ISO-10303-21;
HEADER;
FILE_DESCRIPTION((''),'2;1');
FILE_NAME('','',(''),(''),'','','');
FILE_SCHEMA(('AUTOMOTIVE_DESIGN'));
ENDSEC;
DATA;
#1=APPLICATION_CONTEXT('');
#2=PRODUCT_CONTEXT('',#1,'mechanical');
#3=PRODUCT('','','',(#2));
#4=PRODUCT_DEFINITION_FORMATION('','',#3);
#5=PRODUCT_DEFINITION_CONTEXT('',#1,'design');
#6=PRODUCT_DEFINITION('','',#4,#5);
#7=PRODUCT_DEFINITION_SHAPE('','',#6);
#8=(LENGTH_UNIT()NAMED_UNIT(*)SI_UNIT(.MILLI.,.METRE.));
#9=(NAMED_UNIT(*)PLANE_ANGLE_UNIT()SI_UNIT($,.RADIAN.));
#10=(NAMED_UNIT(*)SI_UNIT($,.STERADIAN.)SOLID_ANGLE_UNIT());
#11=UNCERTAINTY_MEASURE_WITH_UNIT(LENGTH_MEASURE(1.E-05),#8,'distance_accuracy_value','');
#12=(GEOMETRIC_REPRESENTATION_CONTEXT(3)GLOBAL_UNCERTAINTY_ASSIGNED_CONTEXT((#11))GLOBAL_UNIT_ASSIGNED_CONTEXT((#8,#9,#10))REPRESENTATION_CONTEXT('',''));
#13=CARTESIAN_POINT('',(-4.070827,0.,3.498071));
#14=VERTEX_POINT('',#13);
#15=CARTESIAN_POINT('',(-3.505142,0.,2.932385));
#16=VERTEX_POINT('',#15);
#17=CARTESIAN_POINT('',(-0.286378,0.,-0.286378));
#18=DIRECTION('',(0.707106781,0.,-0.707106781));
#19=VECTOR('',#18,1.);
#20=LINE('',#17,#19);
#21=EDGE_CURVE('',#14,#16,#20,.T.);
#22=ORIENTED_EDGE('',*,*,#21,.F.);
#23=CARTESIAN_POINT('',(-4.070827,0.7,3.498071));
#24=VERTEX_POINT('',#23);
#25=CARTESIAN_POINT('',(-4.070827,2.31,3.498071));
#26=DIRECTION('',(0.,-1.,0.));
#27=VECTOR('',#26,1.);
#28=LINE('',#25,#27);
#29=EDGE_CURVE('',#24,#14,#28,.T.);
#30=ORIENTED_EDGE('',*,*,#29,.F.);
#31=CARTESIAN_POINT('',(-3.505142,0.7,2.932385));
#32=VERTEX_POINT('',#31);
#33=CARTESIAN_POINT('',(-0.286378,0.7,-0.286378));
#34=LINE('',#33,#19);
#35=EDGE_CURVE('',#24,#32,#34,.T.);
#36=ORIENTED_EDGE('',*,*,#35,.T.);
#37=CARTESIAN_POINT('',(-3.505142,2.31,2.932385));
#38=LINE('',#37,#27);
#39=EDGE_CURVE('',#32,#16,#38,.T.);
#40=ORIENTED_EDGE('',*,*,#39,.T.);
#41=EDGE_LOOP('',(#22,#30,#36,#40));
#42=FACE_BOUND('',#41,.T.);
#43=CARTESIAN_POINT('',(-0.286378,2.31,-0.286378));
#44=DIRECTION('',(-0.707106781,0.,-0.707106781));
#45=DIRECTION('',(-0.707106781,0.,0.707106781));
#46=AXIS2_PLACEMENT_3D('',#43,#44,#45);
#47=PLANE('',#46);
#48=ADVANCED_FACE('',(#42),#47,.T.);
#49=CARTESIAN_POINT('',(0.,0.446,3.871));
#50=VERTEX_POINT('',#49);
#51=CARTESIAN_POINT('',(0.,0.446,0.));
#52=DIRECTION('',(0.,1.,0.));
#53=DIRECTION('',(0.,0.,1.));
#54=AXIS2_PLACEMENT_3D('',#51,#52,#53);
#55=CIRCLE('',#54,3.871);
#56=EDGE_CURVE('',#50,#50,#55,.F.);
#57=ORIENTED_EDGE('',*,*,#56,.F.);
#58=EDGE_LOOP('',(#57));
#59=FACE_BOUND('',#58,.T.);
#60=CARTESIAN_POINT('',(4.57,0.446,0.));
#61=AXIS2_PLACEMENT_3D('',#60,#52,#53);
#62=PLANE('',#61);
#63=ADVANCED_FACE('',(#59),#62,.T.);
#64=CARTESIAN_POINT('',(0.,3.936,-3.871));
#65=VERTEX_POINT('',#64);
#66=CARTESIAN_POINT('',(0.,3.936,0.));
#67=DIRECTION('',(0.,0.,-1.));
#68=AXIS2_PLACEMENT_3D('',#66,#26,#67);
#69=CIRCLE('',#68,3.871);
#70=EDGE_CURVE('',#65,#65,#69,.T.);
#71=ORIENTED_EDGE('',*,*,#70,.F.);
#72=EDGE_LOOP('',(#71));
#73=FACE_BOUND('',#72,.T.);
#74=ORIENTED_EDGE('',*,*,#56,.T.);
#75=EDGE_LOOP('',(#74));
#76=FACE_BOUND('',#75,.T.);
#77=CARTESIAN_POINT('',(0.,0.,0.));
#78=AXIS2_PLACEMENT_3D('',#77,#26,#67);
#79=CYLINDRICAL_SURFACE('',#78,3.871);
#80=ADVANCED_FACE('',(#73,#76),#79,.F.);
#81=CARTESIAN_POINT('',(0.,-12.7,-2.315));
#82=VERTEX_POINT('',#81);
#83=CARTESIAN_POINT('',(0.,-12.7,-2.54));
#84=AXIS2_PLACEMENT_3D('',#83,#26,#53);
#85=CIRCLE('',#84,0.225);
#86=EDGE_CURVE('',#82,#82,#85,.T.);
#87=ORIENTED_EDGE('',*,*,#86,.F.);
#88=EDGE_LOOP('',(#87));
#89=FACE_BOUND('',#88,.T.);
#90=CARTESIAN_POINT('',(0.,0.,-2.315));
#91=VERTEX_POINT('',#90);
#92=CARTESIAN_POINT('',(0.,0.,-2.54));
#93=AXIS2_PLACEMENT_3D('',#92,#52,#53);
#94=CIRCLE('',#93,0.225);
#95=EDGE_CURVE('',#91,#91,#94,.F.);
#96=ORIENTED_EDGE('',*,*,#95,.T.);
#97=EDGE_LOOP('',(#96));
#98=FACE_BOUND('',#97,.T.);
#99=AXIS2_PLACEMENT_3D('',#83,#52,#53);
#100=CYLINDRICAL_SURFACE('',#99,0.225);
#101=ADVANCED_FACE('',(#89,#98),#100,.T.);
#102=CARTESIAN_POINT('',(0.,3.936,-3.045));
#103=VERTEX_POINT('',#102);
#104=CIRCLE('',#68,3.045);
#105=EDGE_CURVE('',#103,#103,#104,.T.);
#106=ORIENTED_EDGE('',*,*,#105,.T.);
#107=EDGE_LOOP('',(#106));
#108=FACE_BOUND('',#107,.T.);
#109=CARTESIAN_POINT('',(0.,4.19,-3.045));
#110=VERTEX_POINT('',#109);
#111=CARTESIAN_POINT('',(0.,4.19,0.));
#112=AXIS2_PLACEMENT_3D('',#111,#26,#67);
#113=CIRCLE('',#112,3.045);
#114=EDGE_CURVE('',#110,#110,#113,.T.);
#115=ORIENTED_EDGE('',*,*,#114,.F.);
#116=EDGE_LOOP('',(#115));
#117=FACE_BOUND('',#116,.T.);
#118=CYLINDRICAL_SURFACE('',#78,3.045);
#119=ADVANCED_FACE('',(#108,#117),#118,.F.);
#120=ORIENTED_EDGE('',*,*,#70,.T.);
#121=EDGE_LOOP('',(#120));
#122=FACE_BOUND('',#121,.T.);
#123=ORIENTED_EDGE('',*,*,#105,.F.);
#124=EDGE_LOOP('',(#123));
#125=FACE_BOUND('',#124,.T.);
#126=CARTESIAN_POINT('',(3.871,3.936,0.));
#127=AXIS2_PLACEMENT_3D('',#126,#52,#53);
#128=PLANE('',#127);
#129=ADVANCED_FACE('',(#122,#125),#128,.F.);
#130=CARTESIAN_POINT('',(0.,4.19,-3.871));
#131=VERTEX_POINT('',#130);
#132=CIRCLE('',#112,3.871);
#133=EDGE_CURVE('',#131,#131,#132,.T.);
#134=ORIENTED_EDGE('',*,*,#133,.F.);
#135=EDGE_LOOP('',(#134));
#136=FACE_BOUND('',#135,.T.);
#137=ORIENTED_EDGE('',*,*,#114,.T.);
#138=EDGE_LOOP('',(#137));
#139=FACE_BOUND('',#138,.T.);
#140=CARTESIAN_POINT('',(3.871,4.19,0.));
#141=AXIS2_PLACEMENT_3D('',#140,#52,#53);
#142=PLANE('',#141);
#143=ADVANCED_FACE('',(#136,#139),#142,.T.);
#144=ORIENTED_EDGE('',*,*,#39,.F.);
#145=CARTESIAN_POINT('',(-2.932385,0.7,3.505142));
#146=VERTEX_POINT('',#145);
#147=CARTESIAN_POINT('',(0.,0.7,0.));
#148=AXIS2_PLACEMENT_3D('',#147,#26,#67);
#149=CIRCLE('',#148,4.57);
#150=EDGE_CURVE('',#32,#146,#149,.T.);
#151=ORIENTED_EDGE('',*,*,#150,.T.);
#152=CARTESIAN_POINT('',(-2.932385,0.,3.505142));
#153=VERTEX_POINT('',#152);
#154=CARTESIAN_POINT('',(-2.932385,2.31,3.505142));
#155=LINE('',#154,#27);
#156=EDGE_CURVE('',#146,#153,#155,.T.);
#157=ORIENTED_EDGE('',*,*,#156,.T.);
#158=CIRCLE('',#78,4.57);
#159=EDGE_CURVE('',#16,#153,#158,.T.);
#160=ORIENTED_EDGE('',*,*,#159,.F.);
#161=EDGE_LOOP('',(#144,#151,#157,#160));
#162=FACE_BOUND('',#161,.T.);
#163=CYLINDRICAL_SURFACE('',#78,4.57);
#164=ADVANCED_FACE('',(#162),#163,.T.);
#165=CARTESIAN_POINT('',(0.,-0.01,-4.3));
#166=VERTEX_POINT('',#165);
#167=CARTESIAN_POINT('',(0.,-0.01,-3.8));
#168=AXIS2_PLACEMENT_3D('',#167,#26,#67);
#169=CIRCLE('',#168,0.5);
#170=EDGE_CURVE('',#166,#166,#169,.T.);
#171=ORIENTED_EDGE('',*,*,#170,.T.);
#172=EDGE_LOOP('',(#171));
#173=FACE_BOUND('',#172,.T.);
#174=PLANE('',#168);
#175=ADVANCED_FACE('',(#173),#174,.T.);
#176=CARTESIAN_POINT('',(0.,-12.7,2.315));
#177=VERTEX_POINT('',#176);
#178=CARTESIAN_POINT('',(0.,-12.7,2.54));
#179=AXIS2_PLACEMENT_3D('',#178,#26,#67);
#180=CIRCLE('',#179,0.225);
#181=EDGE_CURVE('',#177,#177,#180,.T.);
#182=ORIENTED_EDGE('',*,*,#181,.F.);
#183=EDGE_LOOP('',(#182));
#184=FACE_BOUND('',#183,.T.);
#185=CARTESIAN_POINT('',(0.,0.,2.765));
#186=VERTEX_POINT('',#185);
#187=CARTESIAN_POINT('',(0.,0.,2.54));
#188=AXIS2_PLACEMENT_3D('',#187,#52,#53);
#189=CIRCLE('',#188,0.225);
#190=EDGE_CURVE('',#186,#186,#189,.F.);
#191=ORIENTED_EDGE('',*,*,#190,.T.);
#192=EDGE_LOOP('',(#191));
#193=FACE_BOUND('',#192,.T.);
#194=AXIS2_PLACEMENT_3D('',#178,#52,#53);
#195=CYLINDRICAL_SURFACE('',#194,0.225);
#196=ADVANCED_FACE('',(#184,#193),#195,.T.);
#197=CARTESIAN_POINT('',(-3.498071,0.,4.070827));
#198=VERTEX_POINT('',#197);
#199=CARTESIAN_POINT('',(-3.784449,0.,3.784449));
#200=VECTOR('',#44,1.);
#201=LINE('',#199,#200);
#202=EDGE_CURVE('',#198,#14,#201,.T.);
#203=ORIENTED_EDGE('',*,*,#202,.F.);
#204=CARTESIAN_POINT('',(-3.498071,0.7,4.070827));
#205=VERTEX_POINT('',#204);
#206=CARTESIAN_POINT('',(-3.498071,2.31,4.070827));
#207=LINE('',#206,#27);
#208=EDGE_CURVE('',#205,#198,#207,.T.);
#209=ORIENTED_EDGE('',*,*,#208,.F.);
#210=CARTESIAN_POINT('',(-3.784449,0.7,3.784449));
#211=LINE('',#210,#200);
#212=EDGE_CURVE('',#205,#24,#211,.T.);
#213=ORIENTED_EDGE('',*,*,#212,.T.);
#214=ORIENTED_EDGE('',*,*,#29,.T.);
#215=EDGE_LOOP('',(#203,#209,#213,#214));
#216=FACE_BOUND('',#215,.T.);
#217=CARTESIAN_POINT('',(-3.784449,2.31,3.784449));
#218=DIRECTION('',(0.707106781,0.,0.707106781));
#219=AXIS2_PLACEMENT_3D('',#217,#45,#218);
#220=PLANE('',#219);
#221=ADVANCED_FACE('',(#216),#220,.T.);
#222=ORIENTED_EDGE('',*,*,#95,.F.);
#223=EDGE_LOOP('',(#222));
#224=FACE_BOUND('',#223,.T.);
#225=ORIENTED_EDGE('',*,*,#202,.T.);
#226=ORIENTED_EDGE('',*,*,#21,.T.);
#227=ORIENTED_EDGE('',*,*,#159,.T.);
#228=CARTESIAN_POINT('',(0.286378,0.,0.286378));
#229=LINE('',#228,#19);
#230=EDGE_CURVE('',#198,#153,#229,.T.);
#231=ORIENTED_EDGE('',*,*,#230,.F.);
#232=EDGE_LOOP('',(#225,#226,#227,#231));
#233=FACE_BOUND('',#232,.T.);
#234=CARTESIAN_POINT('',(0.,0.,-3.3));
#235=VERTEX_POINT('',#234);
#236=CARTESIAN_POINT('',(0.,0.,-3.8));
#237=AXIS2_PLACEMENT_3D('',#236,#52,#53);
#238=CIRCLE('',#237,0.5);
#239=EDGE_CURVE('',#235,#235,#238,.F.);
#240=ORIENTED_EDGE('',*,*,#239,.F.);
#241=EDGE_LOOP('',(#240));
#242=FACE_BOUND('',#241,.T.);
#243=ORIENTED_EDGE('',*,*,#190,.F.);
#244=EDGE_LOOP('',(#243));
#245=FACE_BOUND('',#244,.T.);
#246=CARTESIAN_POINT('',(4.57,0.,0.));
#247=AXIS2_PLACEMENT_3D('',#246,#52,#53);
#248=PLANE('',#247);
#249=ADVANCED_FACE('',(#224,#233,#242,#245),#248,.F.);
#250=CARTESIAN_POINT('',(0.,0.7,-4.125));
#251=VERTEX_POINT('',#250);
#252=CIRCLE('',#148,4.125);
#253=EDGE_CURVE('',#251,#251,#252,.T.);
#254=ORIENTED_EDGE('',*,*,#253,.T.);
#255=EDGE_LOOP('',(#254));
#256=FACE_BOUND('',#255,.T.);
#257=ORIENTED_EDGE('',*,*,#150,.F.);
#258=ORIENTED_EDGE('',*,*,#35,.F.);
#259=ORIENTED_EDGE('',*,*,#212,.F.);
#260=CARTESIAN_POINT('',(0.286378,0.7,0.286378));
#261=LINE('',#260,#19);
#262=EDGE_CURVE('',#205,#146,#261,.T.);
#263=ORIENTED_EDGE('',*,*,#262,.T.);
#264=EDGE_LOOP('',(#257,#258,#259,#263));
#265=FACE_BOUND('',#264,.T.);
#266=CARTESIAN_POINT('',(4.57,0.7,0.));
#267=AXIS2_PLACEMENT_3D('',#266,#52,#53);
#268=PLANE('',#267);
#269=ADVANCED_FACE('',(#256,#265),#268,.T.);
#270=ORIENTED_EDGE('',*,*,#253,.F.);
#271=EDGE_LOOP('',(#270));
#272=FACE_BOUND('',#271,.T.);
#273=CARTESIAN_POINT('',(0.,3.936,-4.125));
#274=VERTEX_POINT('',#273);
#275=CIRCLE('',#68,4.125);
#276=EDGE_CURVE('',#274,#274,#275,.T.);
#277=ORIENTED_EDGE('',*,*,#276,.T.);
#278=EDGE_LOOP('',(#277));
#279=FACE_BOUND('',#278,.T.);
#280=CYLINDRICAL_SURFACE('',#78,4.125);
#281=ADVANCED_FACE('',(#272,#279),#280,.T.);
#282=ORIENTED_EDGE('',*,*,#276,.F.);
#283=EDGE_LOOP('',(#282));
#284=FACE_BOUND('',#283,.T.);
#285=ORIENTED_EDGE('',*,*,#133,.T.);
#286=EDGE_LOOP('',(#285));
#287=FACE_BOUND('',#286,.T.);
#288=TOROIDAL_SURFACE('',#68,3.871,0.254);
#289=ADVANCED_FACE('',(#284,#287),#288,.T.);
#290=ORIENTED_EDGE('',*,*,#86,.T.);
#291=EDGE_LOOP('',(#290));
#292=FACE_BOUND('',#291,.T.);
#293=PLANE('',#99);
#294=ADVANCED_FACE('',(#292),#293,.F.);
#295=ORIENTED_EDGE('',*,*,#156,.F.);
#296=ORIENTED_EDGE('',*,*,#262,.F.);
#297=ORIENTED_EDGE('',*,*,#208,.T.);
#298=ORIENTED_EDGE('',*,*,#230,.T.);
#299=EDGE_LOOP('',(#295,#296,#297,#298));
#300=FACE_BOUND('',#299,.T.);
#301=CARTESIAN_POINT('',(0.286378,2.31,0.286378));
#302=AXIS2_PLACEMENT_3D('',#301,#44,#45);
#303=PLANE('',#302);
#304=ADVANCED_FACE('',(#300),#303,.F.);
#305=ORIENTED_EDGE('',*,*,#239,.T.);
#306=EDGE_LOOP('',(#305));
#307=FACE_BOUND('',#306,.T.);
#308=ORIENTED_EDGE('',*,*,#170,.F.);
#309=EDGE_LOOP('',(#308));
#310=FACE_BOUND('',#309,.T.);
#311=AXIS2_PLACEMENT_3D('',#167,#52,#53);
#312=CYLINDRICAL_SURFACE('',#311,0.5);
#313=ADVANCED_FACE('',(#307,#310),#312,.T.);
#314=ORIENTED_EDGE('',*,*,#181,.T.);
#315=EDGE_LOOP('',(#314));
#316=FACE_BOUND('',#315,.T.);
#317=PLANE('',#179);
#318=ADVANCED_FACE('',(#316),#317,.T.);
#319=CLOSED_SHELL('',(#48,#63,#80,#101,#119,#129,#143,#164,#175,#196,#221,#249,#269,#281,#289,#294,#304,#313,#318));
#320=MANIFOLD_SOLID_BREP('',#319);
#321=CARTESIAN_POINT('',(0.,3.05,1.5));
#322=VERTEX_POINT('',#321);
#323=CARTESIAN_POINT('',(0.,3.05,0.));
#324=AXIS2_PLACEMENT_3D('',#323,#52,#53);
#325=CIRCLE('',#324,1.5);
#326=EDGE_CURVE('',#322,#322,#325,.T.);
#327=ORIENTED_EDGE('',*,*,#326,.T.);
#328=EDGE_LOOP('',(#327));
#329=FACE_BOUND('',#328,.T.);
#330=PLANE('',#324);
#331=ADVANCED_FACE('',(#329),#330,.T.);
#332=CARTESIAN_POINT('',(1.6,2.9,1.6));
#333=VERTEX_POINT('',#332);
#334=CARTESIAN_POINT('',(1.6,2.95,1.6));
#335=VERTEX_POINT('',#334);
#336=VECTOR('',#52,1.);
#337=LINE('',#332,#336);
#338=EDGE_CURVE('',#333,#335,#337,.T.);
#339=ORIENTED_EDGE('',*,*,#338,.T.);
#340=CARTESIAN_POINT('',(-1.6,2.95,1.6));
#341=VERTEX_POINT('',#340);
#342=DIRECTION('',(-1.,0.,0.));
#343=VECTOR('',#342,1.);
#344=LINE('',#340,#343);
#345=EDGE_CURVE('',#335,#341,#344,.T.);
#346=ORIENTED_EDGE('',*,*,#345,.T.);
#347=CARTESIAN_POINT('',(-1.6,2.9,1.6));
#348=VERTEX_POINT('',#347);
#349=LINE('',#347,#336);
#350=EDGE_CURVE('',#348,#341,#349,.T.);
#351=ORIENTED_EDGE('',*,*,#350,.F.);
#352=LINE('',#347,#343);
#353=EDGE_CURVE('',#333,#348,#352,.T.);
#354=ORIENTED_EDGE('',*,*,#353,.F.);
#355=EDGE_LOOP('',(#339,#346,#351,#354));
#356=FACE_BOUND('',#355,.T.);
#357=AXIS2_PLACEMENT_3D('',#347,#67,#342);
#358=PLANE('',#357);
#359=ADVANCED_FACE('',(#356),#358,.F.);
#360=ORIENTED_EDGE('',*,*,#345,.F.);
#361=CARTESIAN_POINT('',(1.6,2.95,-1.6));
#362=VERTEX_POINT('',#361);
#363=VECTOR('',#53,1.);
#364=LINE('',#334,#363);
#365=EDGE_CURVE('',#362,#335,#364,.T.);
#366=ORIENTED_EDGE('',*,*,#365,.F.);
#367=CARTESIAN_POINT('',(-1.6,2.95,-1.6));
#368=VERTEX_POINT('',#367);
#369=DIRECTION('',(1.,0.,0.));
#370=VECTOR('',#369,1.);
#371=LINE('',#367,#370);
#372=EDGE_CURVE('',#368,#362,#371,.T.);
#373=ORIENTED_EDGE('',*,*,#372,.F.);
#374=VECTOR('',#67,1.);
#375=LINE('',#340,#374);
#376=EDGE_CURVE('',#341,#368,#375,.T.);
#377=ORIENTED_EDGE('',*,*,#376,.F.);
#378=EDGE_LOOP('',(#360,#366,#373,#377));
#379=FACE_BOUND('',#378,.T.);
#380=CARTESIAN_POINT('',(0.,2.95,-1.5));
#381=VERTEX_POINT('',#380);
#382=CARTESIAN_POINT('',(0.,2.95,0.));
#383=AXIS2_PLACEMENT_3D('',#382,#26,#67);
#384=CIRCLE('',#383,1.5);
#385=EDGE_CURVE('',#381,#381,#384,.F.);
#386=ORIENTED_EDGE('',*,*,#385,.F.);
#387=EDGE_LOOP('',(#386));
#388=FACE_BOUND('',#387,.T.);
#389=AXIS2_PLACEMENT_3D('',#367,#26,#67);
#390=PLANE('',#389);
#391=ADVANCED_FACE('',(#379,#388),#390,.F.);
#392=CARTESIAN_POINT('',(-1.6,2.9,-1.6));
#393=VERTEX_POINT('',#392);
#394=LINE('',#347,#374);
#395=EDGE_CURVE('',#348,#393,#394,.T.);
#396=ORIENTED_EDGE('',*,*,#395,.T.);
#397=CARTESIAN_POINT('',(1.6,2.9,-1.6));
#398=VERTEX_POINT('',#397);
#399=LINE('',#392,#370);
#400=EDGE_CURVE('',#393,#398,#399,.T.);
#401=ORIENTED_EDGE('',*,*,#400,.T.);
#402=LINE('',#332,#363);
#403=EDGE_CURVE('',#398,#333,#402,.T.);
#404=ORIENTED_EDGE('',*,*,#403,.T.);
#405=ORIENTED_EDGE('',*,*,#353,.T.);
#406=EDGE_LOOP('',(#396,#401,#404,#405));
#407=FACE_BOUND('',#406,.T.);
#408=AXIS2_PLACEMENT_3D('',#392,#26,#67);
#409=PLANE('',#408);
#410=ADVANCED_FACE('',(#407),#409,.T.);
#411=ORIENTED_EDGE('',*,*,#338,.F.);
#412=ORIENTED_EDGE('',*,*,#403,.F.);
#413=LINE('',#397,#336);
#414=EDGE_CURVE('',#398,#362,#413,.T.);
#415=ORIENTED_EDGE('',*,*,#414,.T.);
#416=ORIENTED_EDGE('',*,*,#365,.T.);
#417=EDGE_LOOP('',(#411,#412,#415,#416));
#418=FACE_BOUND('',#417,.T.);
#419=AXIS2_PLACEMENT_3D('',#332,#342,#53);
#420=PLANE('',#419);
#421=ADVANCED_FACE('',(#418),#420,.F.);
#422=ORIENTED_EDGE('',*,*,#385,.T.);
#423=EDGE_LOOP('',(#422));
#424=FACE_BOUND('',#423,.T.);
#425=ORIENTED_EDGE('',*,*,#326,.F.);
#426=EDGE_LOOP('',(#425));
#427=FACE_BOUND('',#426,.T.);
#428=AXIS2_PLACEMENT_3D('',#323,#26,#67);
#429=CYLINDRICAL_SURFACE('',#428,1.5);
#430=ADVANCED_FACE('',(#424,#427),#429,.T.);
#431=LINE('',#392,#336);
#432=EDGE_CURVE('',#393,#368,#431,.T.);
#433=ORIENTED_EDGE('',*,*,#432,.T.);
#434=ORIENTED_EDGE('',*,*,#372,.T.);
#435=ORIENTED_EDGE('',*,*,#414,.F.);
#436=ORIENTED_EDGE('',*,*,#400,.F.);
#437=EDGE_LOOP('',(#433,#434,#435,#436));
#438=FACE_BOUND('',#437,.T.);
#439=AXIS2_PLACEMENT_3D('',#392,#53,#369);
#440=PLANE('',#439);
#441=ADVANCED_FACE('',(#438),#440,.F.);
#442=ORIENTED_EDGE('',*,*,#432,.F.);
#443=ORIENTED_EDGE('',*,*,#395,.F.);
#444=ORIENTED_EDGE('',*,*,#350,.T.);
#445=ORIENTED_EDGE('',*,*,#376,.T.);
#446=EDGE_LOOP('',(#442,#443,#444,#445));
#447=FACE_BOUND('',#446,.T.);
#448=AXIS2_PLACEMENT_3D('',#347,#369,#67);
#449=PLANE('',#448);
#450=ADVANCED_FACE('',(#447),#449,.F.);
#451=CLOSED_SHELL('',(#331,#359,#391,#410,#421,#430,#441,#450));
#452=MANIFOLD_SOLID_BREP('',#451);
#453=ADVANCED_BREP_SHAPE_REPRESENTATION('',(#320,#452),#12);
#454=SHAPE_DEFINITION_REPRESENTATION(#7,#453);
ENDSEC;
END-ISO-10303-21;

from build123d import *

# Parameters (mm, degrees)
SKETCH2_R           = 4.57
BOSS_EXTRUDE1_DEPTH = 0.446
BOSS_EXTRUDE8_DEPTH = 0.7
BOSS_EXTRUDE2_START = -2.95
SKETCH3_W           = 3.2
SKETCH3_H           = 3.2
BOSS_EXTRUDE2_DEPTH = 0.05
SKETCH8_R           = 1.5
BOSS_EXTRUDE6_DEPTH = 0.1
SKETCH5_R           = 0.225
BOSS_EXTRUDE4_DEPTH = 12.7
SKETCH9_R           = 0.5
BOSS_EXTRUDE7_DEPTH = 0.01


with BuildPart() as part:
    # Sketch1 → Revolve-Thin2 (revolve)
    with BuildSketch(Plane.XY, mode=Mode.PRIVATE) as revolve_thin2_sk:
        with BuildLine():
            Line((4.57, 0), (4.57, 0.7))
            Line((4.57, 0.7), (4.125, 0.7))
            Line((4.125, 0.7), (4.125, 3.936))
            ThreePointArc((4.125, 3.936), (4.050605122, 4.115605122), (3.871, 4.19))
            Line((3.871, 4.19), (3.045, 4.19))
            Line((3.045, 4.19), (3.045, 3.936))
            Line((3.045, 3.936), (3.871, 3.936))
            Line((3.871, 3.936), (3.871, 0.446))
            Line((3.871, 0.446), (4.316, 0.446))
            Line((4.316, 0.446), (4.316, 0))
            Line((4.316, 0), (4.57, 0))
        make_face()
    revolve(revolve_thin2_sk.sketch.rotate(Axis((0, 0, 0), (0, 1, 0)), 90), axis=Axis((0, 0, 0), (0, 1, 0)))  # turned: the seam where the file's is

    # Sketch2 → Boss-Extrude1 (add)
    with BuildSketch(Plane.XZ):
        with Locations(Location((0, 0, 0), (0, 0, 270))):  # turned: the seam where the file's is
            Circle(SKETCH2_R)
    extrude(amount=-BOSS_EXTRUDE1_DEPTH)

    # Sketch11 → Boss-Extrude8 (add)
    with BuildSketch(Plane.XZ):
        with BuildLine():
            Line((-3.498070528, 4.070827021), (-3.784448774, 3.784448774))
            Line((-3.784448774, 3.784448774), (-4.070827021, 3.498070528))
            Line((-4.070827021, 3.498070528), (-3.505141596, 2.932385103))
            ThreePointArc((-3.505141596, 2.932385103), (-3.23147799, 3.23147799), (-2.932385103, 3.505141596))
            Line((-2.932385103, 3.505141596), (-3.498070528, 4.070827021))
        make_face()
    extrude(amount=-BOSS_EXTRUDE8_DEPTH)

    # Sketch5 → Boss-Extrude4 (add)
    with BuildSketch(Plane.XZ):
        with Locations(Location((0, -2.54, 0), (0, 0, 90))):  # turned: the seam where the file's is
            Circle(SKETCH5_R)
        with Locations(Location((0, 2.54, 0), (0, 0, 90))):  # turned: the seam where the file's is
            Circle(SKETCH5_R)
    extrude(amount=BOSS_EXTRUDE4_DEPTH)

    # Sketch9 → Boss-Extrude7 (add)
    with BuildSketch(Plane.XZ):
        with Locations(Location((0, -3.8, 0), (0, 0, 90))):  # turned: the seam where the file's is
            Circle(SKETCH9_R)
    extrude(amount=BOSS_EXTRUDE7_DEPTH)


with BuildPart() as body_2:
    # Sketch3 → Boss-Extrude2 (new body)
    with BuildSketch(Plane.XZ.offset(BOSS_EXTRUDE2_START)):
        Rectangle(SKETCH3_W, SKETCH3_H)
    extrude(amount=BOSS_EXTRUDE2_DEPTH)

    # Sketch8 → Boss-Extrude6 (add)
    with BuildSketch(Plane(origin=(0, 2.95, 0), x_dir=(-1, 0, 0), z_dir=(0, 1, 0))):
        with Locations(Location((0, 0, 0), (0, 0, 270))):  # turned: the seam where the file's is
            Circle(SKETCH8_R)
    extrude(amount=BOSS_EXTRUDE6_DEPTH)


solid = Compound([part.part, body_2.part])
